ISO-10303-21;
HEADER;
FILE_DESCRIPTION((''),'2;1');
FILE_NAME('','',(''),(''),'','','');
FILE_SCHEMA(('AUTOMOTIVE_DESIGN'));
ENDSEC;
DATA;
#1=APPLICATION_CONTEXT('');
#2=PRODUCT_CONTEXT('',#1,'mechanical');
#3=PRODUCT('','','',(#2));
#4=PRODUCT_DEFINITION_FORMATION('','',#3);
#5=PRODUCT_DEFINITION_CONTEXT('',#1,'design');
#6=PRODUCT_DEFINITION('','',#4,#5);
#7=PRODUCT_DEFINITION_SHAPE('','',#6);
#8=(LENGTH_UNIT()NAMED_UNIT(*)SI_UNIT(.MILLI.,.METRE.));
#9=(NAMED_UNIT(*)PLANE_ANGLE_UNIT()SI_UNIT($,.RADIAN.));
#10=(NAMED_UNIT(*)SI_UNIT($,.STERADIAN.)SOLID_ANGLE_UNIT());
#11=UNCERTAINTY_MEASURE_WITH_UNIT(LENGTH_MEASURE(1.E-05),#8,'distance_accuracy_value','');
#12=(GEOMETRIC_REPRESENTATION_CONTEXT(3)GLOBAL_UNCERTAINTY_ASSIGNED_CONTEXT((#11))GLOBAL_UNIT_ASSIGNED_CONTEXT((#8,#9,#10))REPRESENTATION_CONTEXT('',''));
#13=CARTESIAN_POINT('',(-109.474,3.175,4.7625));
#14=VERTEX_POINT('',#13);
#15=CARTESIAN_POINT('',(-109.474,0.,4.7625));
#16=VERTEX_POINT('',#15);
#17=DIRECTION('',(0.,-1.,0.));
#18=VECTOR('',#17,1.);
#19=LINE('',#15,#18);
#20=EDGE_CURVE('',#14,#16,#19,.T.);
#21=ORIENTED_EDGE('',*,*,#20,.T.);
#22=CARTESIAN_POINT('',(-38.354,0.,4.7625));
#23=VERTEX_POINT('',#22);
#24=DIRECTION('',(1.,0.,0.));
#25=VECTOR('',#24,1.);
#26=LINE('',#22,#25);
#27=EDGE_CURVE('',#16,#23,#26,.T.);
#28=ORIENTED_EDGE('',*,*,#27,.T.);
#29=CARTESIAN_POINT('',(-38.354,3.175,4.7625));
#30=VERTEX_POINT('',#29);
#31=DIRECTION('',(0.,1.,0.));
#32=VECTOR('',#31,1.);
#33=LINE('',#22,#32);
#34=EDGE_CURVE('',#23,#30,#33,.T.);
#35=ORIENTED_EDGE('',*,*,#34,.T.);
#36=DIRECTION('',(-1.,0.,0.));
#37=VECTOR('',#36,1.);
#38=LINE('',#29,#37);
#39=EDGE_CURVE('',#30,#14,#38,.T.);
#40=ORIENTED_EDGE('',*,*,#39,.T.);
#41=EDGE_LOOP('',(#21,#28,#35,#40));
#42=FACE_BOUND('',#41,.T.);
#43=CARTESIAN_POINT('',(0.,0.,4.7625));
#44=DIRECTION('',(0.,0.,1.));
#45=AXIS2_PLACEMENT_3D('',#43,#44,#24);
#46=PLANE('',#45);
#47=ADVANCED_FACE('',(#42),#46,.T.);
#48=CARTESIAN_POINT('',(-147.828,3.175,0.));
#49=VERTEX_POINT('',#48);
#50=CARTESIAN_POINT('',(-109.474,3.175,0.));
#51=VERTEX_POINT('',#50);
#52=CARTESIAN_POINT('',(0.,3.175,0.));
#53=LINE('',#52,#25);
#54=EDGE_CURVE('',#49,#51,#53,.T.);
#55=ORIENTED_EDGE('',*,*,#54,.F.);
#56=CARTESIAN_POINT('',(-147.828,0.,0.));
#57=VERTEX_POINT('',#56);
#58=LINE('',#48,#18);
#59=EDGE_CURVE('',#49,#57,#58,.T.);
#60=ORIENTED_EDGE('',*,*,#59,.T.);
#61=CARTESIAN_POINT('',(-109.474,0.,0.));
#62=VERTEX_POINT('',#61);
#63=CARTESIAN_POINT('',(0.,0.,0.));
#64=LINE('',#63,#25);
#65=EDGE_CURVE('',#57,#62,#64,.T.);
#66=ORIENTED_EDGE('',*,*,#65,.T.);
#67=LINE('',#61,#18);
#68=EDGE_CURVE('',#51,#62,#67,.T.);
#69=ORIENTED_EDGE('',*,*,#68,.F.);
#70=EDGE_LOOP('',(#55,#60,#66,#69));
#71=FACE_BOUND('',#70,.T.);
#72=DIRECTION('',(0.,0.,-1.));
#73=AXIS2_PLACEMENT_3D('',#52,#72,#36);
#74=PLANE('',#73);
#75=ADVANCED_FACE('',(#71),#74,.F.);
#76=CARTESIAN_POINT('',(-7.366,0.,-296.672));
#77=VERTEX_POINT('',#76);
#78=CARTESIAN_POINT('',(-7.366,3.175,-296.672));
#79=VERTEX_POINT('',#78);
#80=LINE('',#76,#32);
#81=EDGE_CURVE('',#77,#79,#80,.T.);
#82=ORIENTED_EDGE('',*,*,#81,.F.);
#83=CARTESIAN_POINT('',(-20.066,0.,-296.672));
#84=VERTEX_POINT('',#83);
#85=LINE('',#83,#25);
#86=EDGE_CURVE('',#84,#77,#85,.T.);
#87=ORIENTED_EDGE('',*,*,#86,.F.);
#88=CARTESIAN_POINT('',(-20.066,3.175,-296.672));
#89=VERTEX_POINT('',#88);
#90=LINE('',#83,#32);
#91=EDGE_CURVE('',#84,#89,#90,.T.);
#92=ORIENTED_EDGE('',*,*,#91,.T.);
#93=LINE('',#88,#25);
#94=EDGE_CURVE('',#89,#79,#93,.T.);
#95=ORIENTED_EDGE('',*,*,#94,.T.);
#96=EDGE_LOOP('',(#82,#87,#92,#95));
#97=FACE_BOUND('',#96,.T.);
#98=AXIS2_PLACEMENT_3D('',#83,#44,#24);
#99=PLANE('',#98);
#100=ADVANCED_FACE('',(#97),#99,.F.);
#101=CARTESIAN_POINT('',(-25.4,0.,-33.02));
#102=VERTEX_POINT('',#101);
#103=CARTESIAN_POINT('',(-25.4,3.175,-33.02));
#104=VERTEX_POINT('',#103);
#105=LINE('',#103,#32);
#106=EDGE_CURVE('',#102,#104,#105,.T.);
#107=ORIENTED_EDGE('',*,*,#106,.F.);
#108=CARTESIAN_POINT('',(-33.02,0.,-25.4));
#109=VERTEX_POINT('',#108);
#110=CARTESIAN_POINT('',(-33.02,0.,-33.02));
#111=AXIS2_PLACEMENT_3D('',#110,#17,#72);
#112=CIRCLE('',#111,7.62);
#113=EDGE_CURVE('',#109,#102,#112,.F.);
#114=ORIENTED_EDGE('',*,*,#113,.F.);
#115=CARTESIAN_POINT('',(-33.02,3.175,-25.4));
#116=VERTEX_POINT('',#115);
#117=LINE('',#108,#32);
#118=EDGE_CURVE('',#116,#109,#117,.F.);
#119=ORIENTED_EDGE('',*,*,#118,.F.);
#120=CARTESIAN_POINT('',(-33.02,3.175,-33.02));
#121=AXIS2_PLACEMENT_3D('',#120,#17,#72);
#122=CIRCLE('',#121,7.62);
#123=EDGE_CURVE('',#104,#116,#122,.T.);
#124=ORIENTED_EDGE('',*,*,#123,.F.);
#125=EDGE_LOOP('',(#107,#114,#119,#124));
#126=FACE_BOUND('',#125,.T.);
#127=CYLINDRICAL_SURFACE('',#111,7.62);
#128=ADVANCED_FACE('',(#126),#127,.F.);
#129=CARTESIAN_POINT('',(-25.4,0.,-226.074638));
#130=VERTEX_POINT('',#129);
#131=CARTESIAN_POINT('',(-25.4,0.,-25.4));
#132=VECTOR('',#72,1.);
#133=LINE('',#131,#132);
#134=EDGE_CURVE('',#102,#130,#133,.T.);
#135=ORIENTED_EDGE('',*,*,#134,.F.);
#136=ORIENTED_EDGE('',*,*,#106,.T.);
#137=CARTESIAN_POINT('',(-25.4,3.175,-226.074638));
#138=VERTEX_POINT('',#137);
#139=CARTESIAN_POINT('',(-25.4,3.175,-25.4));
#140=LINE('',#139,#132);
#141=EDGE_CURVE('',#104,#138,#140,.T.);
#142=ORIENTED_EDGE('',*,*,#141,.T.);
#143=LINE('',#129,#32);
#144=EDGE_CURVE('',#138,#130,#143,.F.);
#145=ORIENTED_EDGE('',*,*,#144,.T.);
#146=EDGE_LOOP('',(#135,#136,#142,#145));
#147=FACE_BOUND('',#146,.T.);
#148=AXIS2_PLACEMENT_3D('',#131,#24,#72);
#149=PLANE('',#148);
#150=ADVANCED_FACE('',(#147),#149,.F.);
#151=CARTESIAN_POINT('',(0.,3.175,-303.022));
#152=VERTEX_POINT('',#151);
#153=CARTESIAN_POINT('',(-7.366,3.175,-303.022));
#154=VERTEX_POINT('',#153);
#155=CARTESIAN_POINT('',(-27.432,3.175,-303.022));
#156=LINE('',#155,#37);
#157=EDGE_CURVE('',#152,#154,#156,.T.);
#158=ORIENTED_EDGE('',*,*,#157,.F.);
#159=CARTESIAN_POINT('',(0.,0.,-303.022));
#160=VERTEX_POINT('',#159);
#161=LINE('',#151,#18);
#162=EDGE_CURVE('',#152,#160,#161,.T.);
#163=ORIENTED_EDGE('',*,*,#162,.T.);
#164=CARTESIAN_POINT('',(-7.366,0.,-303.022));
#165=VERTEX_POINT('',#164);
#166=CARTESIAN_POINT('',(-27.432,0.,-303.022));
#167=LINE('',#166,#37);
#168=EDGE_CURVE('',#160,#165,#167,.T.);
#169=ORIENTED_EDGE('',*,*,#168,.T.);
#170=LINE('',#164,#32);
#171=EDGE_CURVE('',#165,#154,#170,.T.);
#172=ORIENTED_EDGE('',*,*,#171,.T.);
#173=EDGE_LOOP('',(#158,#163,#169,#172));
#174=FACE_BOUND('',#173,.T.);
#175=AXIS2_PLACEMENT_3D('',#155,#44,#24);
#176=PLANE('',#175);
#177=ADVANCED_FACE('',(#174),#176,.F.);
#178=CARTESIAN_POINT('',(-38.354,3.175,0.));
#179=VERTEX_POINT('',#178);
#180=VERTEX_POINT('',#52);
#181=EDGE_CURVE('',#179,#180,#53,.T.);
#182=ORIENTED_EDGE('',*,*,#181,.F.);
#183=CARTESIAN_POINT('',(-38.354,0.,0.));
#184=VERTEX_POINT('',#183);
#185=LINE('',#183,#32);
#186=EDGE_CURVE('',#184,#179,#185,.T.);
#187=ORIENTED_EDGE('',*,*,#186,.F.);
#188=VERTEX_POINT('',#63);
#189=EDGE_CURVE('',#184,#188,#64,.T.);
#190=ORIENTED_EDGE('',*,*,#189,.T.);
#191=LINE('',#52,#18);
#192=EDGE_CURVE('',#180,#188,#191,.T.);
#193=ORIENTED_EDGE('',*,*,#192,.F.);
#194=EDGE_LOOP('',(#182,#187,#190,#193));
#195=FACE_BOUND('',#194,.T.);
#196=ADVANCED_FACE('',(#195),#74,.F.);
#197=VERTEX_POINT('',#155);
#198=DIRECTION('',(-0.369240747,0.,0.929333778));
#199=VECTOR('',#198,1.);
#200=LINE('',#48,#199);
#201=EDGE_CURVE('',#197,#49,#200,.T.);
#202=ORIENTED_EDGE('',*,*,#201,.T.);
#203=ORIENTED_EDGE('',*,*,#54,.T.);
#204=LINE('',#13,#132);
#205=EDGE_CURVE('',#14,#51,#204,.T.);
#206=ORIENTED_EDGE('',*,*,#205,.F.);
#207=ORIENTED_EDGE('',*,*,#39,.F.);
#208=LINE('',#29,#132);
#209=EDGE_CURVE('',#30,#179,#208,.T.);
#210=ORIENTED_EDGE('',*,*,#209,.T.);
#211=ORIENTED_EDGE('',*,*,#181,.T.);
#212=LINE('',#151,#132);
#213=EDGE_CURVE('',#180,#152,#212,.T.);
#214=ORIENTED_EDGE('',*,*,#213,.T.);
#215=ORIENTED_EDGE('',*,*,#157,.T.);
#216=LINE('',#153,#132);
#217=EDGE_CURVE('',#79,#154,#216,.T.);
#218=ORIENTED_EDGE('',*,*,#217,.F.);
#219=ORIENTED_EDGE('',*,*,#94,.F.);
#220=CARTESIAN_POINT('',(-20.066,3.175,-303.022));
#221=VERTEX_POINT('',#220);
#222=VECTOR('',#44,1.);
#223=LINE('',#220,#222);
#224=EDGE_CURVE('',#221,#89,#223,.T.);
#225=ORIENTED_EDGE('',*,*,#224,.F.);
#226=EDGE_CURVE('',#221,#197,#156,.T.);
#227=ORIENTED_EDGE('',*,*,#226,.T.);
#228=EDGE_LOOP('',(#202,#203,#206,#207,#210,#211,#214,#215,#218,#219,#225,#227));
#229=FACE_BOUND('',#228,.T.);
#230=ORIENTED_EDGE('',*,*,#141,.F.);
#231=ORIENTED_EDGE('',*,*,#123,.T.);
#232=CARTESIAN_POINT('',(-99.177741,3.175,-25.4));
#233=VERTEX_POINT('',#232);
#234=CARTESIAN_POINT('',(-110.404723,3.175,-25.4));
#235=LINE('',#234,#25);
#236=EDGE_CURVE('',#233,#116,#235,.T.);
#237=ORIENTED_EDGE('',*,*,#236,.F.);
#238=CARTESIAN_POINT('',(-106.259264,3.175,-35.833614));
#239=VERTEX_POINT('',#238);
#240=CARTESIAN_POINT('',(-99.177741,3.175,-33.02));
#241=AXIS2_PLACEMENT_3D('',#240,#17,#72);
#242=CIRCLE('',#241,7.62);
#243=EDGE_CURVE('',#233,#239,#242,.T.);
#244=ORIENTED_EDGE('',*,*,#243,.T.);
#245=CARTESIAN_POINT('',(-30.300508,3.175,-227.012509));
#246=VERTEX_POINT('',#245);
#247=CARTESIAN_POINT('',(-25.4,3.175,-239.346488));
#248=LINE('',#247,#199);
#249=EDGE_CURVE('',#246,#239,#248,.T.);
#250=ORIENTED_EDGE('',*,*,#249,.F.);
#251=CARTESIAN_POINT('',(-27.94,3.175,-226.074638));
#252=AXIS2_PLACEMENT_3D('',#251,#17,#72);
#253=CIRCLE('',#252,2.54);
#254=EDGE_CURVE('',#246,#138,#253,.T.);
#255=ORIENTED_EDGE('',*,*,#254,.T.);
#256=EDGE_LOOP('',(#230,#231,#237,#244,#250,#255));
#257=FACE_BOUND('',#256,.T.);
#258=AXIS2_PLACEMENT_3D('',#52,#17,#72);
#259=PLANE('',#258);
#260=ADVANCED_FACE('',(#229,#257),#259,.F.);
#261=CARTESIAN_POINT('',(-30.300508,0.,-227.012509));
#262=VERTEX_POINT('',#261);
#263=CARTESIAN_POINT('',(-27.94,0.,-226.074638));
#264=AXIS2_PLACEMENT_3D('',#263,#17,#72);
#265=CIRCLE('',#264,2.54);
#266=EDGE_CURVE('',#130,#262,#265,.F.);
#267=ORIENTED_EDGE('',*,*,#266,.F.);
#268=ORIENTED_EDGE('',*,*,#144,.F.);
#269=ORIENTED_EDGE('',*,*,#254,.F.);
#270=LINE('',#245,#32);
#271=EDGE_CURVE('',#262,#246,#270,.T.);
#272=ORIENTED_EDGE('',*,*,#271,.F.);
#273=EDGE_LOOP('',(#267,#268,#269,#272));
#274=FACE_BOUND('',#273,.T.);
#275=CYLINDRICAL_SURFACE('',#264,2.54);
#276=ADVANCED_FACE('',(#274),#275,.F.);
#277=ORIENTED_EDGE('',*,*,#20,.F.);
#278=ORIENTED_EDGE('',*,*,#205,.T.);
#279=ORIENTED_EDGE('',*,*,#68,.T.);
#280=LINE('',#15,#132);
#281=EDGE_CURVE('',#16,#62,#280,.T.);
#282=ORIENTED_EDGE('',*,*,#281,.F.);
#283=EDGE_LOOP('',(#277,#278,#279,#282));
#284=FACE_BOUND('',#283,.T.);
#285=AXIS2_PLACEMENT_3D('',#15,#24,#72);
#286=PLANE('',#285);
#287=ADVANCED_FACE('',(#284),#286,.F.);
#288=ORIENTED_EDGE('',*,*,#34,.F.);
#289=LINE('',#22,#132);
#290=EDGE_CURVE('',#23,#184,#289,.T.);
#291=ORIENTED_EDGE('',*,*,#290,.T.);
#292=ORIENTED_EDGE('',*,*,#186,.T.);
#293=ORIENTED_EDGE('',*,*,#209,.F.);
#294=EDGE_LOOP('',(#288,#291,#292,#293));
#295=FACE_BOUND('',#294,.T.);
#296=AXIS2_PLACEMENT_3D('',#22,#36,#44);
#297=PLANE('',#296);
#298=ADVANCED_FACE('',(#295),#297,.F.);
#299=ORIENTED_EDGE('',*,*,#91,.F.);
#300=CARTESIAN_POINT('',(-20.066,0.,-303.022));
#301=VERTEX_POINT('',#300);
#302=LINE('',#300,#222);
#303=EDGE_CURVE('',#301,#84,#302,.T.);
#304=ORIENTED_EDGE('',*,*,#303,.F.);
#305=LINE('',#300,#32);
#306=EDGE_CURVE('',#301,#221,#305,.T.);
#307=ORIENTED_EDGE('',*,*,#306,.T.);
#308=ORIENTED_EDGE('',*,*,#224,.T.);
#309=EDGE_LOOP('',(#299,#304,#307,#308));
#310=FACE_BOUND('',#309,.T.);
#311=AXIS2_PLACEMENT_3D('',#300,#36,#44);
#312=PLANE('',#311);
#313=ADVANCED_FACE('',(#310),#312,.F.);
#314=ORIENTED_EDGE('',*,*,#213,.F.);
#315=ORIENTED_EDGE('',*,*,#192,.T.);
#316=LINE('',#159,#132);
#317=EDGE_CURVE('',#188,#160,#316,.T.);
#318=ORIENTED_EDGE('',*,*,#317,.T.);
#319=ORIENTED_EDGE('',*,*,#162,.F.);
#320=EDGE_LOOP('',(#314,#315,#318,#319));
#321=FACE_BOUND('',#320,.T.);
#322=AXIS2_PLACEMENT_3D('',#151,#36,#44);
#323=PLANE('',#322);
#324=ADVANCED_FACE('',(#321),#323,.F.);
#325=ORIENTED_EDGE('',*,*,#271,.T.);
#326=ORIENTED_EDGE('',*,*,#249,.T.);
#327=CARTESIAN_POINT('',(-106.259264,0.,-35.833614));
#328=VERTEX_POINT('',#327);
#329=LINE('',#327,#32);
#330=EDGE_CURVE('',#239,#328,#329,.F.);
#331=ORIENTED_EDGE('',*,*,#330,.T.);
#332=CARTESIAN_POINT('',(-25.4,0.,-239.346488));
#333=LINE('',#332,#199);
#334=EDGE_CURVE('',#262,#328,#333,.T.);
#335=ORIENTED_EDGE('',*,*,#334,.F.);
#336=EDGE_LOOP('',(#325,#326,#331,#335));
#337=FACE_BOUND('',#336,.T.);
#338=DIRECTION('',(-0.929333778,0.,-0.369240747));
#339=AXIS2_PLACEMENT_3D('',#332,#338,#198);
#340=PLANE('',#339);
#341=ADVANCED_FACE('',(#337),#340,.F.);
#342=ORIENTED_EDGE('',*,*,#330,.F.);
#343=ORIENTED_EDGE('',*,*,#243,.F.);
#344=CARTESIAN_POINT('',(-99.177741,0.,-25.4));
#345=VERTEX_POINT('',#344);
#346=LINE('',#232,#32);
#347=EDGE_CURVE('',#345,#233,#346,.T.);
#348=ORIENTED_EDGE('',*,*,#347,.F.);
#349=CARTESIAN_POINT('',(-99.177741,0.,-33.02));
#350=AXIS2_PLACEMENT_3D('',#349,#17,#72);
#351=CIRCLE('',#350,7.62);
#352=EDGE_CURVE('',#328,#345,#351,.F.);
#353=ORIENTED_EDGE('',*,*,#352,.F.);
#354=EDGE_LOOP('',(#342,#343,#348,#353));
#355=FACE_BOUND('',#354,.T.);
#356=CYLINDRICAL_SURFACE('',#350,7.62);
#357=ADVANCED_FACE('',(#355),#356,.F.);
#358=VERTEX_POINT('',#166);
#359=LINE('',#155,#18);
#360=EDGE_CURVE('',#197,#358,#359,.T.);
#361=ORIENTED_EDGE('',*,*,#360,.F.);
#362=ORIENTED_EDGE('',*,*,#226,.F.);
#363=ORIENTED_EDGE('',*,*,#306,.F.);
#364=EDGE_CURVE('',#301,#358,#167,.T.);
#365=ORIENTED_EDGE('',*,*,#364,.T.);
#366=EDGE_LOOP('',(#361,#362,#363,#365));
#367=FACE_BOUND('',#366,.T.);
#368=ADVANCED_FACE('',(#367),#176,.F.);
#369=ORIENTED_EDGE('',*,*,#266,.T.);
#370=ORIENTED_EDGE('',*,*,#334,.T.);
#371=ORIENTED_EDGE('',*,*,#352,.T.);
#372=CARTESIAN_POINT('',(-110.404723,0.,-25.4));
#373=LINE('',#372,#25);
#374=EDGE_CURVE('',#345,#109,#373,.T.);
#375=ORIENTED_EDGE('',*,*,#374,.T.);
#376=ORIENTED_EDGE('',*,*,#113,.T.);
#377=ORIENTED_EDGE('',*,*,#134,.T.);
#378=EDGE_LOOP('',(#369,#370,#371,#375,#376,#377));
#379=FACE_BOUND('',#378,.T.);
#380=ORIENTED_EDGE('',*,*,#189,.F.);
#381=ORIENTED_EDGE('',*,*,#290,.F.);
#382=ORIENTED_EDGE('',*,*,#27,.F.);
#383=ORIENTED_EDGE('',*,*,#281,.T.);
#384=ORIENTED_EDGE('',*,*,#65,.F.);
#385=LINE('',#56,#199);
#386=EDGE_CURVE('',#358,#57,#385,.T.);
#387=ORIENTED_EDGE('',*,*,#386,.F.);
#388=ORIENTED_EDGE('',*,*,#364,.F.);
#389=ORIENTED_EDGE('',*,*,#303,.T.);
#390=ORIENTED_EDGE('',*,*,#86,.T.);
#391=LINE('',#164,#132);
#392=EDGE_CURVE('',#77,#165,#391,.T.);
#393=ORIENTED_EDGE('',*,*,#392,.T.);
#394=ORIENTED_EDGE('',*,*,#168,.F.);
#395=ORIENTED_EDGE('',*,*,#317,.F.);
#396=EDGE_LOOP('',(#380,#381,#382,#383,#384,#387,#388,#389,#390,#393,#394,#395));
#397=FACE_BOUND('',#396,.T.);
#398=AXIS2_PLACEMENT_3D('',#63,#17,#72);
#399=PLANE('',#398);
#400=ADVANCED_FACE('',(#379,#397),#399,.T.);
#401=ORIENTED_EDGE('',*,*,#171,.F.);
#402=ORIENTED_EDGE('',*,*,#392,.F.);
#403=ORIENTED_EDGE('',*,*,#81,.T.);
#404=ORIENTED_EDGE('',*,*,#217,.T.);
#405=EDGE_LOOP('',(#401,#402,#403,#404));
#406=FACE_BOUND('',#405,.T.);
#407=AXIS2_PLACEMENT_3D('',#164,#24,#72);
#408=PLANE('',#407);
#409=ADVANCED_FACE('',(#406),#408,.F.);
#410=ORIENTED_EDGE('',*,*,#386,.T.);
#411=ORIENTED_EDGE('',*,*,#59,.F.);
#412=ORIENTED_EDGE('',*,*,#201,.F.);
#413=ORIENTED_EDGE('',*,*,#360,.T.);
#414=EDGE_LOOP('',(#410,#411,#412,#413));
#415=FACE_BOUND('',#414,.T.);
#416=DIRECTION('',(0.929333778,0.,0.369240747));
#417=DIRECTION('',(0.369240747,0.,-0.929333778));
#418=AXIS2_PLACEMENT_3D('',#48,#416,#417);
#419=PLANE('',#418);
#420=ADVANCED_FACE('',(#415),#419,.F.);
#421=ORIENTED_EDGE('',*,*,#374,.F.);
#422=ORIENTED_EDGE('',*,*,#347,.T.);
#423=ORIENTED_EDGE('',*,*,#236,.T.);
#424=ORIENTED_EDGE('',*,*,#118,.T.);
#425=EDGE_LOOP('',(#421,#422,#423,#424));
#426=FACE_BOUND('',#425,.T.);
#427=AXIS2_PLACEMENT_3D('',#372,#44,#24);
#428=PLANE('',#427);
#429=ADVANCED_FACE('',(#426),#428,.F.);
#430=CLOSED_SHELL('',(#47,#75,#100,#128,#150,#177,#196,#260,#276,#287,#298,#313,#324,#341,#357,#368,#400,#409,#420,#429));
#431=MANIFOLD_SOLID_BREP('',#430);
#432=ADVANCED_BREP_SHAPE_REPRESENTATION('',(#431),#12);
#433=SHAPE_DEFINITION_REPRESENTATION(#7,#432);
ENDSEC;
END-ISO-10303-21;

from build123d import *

# Parameters (mm, degrees)
BOSS_EXTRUDE1_DEPTH = 3.175
SKETCH2_W           = 12.7
SKETCH2_H           = 6.35
CUT_EXTRUDE1_DEPTH  = 3.175
FILLET1_R           = 7.62
FILLET2_R           = 2.54
SKETCH3_W           = 71.12
SKETCH3_H           = 3.175
BOSS_EXTRUDE2_DEPTH = 4.7625


with BuildPart() as part:
    # Sketch1 → Boss-Extrude1 (new body)
    with BuildSketch(Plane(origin=(0, 0, 0), x_dir=(1, 0, 0), z_dir=(0, 1, 0))):
        Polygon((0, 0), (-147.828, 0), (-27.432, 303.022), (0, 303.022), align=None)
    extrude(amount=BOSS_EXTRUDE1_DEPTH)

    # Sketch2 → Cut-Extrude1 (cut)
    with BuildSketch(Plane(origin=(0, 3.175, 0), x_dir=(1, 0, 0), z_dir=(0, 1, 0))):
        with Locations((-13.716, 299.847)):
            Rectangle(SKETCH2_W, SKETCH2_H)
        Polygon((-25.4, 25.4), (-25.4, 239.346487548), (-110.404723468, 25.4), align=None)
    extrude(amount=-CUT_EXTRUDE1_DEPTH, mode=Mode.SUBTRACT)

    # Fillet1
    fillet1_edges = [part.edges().sort_by_distance(p)[0] for p in [
        (-25.4, 1.5875, -25.4),
        (-110.404723468, 1.5875, -25.4),
    ]]
    fillet(fillet1_edges, radius=FILLET1_R)

    # Fillet2
    fillet2_edges = [part.edges().sort_by_distance(p)[0] for p in [
        (-25.4, 1.5875, -239.346487548),
    ]]
    fillet(fillet2_edges, radius=FILLET2_R)

    # Sketch3 → Boss-Extrude2 (add)
    with BuildSketch(Plane.XY):
        with Locations((-73.914, 1.5875)):
            Rectangle(SKETCH3_W, SKETCH3_H)
    extrude(amount=BOSS_EXTRUDE2_DEPTH)


solid = part.part
